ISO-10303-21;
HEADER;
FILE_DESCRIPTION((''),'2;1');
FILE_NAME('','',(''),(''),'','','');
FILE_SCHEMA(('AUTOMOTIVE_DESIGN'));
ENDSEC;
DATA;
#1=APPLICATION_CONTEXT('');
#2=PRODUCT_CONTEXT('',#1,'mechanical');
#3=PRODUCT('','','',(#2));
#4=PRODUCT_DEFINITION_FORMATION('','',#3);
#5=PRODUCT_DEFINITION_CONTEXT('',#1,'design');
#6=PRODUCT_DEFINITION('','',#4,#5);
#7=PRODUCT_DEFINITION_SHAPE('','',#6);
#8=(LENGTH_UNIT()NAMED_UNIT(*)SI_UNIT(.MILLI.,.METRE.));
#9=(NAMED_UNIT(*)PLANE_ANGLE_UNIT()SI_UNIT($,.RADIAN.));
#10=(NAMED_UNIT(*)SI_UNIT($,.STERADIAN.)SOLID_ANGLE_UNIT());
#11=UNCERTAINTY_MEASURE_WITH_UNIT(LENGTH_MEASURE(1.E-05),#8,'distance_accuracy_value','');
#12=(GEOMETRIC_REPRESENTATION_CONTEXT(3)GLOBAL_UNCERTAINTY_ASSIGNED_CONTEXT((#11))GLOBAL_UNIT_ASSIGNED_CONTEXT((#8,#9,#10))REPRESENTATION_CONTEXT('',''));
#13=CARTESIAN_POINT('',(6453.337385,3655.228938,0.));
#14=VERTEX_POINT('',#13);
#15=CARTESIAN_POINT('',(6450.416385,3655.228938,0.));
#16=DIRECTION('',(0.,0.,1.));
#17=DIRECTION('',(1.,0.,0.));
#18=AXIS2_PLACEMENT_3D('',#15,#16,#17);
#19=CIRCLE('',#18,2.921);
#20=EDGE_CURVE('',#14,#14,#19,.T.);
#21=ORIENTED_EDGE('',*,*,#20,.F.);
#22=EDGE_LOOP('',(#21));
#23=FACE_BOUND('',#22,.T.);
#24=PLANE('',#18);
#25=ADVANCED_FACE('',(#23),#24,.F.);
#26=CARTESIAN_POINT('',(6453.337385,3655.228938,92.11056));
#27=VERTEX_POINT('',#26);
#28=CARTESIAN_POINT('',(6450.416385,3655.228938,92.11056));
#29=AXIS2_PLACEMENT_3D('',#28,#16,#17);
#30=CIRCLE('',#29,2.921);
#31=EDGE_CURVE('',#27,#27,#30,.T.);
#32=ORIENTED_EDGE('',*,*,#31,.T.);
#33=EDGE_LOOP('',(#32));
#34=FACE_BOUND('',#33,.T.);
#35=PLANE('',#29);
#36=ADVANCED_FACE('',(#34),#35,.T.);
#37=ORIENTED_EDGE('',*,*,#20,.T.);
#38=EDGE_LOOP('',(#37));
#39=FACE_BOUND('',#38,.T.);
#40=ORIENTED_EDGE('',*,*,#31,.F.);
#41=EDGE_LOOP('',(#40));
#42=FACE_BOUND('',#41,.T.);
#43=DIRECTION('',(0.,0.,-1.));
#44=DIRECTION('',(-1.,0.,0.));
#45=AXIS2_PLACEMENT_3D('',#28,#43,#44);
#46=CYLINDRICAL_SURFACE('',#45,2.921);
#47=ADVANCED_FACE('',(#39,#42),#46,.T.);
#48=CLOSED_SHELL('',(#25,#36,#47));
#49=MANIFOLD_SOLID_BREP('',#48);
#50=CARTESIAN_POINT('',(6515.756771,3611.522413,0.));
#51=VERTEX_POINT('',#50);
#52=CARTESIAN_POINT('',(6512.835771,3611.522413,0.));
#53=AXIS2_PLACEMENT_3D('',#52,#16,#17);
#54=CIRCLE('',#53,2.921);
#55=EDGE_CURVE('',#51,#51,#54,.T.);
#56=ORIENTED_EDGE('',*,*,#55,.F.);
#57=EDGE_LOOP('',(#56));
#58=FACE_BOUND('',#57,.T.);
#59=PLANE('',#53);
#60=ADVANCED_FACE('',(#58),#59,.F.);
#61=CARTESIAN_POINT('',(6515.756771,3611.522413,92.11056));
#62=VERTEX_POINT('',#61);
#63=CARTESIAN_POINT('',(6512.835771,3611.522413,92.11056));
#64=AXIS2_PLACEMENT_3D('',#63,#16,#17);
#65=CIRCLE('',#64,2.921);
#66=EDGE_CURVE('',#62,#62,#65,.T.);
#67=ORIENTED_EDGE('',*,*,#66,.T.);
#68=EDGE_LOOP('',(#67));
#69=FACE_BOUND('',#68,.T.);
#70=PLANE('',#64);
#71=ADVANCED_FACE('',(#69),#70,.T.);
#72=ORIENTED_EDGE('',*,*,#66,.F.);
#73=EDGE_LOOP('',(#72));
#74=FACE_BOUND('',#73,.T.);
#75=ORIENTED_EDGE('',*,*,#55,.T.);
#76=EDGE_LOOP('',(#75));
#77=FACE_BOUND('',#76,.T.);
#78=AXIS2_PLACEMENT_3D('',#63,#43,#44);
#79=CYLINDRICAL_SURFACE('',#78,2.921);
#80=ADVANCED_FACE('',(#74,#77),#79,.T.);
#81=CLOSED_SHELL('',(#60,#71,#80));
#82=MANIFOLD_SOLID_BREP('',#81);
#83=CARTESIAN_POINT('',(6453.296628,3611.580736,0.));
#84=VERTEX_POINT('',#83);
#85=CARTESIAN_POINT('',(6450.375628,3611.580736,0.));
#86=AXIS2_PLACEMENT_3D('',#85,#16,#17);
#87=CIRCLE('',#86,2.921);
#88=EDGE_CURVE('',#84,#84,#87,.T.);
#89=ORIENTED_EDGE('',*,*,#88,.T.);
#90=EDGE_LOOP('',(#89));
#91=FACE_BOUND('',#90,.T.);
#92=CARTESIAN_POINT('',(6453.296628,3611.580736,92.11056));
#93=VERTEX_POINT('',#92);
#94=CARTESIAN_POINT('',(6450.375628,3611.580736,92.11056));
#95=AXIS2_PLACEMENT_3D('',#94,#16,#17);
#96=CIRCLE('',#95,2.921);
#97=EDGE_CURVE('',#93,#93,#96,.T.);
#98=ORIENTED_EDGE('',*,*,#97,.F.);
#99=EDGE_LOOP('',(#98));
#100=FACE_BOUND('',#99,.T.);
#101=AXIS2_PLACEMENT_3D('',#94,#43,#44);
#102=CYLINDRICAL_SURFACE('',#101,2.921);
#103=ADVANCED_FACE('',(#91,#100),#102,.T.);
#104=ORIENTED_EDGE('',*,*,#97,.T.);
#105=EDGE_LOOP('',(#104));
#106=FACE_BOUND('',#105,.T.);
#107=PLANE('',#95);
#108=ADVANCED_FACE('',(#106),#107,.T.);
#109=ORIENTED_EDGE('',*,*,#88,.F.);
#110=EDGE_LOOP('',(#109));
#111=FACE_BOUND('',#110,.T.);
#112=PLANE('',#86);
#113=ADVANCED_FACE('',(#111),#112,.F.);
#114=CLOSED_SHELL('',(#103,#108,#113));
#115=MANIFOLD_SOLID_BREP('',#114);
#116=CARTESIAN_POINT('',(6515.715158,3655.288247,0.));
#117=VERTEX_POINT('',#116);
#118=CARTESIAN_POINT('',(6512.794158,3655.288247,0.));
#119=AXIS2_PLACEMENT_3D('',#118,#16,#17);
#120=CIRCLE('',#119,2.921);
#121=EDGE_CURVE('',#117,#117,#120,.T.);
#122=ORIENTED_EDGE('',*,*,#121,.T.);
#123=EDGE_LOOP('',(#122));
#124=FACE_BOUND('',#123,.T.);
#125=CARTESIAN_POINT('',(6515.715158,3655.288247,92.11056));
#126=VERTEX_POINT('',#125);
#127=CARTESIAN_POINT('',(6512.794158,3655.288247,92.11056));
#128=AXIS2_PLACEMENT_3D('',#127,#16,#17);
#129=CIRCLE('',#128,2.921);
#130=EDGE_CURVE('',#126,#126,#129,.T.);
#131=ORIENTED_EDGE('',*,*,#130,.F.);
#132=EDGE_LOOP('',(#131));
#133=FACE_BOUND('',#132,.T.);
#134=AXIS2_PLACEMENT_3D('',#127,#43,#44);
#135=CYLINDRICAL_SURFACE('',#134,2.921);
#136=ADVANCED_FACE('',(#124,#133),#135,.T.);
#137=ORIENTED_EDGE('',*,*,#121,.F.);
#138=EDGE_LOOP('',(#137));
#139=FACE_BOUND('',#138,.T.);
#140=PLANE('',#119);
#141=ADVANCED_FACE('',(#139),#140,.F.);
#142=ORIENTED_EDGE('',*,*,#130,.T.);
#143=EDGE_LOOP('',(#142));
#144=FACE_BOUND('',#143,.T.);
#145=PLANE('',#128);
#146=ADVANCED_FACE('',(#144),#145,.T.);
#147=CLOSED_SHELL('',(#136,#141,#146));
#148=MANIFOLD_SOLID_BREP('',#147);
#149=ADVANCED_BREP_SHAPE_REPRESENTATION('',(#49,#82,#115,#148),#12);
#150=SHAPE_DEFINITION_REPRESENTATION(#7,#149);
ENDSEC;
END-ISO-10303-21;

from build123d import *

# Parameters (mm, degrees)
SKETCH1_R             = 2.921000021
BOSS_EXTRUDE1_DEPTH   = 92.11056
BOSS_EXTRUDE1_2_DEPTH = 92.11056
BOSS_EXTRUDE1_3_DEPTH = 92.11056
BOSS_EXTRUDE1_4_DEPTH = 92.11056


with BuildPart() as part:
    # Sketch1 → Boss-Extrude1 (new body)
    with BuildSketch(Plane.XY):
        with Locations((6450.375628139, 3611.580736302)):
            Circle(SKETCH1_R)
    extrude(amount=BOSS_EXTRUDE1_DEPTH)


with BuildPart() as body_2:
    # Sketch1 → Boss-Extrude1 2 (new body)
    with BuildSketch(Plane.XY):
        with Locations((6512.835771472, 3611.522413231)):
            Circle(SKETCH1_R)
    extrude(amount=BOSS_EXTRUDE1_2_DEPTH)


with BuildPart() as body_3:
    # Sketch1 → Boss-Extrude1 3 (new body)
    with BuildSketch(Plane.XY):
        with Locations((6512.794158395, 3655.2882475)):
            Circle(SKETCH1_R)
    extrude(amount=BOSS_EXTRUDE1_3_DEPTH)


with BuildPart() as body_4:
    # Sketch1 → Boss-Extrude1 4 (new body)
    with BuildSketch(Plane.XY):
        with Locations((6450.416385285, 3655.22893797)):
            Circle(SKETCH1_R)
    extrude(amount=BOSS_EXTRUDE1_4_DEPTH)


solid = Compound([part.part, body_2.part, body_3.part, body_4.part])
